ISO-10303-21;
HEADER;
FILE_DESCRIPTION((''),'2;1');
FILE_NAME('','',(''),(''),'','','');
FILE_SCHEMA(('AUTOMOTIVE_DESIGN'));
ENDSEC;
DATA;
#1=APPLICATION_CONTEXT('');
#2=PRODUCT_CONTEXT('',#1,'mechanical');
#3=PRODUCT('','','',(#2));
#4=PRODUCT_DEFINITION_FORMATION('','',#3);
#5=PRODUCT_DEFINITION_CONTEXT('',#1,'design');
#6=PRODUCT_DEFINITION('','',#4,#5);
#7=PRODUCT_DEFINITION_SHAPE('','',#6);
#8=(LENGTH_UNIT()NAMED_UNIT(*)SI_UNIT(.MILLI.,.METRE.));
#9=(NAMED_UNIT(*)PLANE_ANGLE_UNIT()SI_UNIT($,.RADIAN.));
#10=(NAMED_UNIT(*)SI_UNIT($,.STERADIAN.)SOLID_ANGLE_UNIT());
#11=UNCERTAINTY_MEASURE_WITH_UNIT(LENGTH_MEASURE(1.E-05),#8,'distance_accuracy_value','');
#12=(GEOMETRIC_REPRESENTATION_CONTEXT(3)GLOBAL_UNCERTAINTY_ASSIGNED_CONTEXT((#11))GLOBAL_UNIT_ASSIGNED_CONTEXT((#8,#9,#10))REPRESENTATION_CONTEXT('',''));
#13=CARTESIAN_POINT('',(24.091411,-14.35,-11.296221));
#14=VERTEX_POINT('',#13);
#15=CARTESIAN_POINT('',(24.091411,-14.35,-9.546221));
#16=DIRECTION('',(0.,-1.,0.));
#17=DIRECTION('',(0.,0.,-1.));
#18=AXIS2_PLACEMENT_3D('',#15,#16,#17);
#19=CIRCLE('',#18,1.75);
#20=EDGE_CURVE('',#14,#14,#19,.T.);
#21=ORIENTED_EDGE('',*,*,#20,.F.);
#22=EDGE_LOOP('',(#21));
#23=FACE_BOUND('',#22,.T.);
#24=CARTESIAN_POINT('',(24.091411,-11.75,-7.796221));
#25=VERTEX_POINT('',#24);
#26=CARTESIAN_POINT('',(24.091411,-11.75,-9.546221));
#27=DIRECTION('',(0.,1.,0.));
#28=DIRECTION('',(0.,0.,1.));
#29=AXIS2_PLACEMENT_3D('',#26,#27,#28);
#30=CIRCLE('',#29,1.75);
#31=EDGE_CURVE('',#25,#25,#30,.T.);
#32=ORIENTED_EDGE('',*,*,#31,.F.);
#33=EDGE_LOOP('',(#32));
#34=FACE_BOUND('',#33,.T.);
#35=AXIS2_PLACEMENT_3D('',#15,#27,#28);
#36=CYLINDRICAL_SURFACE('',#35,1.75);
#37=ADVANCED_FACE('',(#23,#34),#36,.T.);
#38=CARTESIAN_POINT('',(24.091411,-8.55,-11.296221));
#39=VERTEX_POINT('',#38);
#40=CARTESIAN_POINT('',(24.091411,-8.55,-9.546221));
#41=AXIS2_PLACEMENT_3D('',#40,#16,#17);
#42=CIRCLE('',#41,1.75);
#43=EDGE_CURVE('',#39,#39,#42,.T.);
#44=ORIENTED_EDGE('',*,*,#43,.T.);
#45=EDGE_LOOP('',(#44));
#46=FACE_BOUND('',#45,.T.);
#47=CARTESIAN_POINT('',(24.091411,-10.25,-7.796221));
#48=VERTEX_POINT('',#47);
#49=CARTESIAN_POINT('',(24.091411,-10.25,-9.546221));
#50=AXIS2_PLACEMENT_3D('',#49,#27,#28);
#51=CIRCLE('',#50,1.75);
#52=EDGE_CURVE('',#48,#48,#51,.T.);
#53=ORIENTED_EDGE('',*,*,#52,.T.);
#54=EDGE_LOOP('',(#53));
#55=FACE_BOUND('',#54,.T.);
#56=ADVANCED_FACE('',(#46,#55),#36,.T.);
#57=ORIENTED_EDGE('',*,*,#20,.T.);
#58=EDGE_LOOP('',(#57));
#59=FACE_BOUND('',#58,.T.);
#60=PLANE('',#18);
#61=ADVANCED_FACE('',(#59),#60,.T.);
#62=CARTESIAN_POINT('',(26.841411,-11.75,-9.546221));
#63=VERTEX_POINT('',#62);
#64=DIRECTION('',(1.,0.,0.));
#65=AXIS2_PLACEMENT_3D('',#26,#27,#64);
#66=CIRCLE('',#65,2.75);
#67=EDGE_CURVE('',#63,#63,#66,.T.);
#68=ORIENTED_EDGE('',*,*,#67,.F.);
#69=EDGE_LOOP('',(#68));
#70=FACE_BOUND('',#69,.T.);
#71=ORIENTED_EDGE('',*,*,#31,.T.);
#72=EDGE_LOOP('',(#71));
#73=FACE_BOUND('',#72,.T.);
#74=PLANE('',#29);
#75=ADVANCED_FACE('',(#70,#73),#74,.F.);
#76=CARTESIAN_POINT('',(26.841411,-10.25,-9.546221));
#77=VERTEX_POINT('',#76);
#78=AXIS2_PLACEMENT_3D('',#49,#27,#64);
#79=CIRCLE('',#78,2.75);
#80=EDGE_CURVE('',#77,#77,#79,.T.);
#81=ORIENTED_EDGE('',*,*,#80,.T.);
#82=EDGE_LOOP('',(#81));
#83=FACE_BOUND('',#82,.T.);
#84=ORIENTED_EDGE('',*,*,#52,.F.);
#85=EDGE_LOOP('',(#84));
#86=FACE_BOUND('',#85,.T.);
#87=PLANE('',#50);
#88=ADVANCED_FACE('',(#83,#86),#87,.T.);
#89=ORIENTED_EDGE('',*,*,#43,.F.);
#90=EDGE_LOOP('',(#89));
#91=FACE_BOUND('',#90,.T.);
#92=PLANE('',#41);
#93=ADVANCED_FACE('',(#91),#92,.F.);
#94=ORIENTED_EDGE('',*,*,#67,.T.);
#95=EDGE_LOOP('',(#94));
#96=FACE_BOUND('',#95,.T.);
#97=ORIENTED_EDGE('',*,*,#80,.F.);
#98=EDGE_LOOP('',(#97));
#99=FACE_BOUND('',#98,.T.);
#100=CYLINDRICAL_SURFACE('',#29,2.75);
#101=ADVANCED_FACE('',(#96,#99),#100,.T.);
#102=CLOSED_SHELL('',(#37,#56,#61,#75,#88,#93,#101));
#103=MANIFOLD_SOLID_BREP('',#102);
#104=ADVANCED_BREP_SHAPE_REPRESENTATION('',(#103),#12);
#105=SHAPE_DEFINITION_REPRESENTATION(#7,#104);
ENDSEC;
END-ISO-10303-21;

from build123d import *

# Parameters (mm, degrees)
SKETCH_1_R        = 1.75
EXTRUDE_1_DEPTH   = 5.8
SKETCH_2_R        = 2.75
SKETCH_2_R_2      = 1.75
EXTRUDE_1_2_DEPTH = 1.5


with BuildPart() as part:
    # 草图1 → Extrude 1 (new body)
    with BuildSketch(Plane.XZ.offset(8.55)):
        with Locations(Location((24.091410852, -9.546220913, 0), (0, 0, 270))):
            Circle(SKETCH_1_R)
    extrude(amount=EXTRUDE_1_DEPTH)

    # 草图2 → Extrude 1 2 (add)
    with BuildSketch(Plane(origin=(0, -10.25, 0), x_dir=(1, 0, 0), z_dir=(0, 1, 0))):
        with Locations((24.091410852, 9.546220913)):
            Circle(SKETCH_2_R)
        with Locations((24.091410852, 9.546220913)):
            Circle(SKETCH_2_R_2, mode=Mode.SUBTRACT)
    extrude(amount=-EXTRUDE_1_2_DEPTH)


solid = part.part
